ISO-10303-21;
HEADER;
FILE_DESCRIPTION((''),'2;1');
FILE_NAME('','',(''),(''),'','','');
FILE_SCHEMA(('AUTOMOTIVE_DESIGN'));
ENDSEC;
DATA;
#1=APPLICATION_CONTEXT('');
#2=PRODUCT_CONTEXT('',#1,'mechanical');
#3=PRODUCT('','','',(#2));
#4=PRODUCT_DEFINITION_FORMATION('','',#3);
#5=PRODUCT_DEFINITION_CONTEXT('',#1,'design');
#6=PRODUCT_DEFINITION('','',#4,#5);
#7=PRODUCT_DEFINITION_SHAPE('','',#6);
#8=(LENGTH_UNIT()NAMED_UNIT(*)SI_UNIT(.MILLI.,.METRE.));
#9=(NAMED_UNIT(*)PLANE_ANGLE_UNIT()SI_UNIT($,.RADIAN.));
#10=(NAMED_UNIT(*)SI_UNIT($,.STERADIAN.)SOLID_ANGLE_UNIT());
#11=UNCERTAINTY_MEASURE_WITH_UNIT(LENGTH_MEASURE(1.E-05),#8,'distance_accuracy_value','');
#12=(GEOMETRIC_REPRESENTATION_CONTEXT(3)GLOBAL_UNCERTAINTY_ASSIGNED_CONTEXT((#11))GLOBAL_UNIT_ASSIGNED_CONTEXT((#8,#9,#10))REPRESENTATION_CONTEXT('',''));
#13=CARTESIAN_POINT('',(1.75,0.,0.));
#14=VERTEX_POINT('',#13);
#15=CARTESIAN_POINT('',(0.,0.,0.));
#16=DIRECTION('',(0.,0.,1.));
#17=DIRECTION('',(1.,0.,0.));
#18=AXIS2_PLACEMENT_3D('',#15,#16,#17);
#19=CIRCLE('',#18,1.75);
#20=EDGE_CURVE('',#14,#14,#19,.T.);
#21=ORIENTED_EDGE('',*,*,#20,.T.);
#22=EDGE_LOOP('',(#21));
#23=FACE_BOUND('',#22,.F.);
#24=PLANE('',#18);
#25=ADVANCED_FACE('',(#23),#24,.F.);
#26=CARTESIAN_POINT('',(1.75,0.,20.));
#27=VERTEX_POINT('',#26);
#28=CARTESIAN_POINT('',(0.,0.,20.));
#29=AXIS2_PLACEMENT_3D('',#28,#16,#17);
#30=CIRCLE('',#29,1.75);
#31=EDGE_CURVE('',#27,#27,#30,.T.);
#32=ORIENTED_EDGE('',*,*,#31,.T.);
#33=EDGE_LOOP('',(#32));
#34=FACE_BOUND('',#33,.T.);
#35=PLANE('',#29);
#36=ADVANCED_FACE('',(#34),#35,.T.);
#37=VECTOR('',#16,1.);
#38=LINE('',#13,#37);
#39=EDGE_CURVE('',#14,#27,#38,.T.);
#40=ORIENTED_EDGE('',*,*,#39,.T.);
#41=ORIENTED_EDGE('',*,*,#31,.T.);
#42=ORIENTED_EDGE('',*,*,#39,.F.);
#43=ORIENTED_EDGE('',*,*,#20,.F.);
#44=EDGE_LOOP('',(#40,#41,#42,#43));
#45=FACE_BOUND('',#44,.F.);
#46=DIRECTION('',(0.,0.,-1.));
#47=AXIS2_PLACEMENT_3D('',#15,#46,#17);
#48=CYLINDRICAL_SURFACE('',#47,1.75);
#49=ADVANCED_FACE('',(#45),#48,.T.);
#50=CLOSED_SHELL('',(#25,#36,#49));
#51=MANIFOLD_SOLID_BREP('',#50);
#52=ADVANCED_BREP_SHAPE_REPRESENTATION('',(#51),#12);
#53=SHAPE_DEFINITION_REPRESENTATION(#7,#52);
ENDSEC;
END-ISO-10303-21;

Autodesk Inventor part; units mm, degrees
ref_plane "YZ Plane" through (0, 0, 0) normal (1, 0, 0) x (0, 1, 0)
ref_plane "XZ Plane" through (0, 0, 0) normal (0, 1, 0) x (-1, 0, 0)
ref_plane "XY Plane" through (0, 0, 0) normal (0, 0, 1) x (1, 0, 0)
sketch "Sketch1" plane through (0, 0, 0) normal (0, 0, 1) x (1, 0, 0)
  circle A0 centre (0, 0) radius 1.75
  dimension "d0" = 3.5
extrude "Extrusion1" add sketch "Sketch1" along normal blind 20
properties part number "core_r_termination"
